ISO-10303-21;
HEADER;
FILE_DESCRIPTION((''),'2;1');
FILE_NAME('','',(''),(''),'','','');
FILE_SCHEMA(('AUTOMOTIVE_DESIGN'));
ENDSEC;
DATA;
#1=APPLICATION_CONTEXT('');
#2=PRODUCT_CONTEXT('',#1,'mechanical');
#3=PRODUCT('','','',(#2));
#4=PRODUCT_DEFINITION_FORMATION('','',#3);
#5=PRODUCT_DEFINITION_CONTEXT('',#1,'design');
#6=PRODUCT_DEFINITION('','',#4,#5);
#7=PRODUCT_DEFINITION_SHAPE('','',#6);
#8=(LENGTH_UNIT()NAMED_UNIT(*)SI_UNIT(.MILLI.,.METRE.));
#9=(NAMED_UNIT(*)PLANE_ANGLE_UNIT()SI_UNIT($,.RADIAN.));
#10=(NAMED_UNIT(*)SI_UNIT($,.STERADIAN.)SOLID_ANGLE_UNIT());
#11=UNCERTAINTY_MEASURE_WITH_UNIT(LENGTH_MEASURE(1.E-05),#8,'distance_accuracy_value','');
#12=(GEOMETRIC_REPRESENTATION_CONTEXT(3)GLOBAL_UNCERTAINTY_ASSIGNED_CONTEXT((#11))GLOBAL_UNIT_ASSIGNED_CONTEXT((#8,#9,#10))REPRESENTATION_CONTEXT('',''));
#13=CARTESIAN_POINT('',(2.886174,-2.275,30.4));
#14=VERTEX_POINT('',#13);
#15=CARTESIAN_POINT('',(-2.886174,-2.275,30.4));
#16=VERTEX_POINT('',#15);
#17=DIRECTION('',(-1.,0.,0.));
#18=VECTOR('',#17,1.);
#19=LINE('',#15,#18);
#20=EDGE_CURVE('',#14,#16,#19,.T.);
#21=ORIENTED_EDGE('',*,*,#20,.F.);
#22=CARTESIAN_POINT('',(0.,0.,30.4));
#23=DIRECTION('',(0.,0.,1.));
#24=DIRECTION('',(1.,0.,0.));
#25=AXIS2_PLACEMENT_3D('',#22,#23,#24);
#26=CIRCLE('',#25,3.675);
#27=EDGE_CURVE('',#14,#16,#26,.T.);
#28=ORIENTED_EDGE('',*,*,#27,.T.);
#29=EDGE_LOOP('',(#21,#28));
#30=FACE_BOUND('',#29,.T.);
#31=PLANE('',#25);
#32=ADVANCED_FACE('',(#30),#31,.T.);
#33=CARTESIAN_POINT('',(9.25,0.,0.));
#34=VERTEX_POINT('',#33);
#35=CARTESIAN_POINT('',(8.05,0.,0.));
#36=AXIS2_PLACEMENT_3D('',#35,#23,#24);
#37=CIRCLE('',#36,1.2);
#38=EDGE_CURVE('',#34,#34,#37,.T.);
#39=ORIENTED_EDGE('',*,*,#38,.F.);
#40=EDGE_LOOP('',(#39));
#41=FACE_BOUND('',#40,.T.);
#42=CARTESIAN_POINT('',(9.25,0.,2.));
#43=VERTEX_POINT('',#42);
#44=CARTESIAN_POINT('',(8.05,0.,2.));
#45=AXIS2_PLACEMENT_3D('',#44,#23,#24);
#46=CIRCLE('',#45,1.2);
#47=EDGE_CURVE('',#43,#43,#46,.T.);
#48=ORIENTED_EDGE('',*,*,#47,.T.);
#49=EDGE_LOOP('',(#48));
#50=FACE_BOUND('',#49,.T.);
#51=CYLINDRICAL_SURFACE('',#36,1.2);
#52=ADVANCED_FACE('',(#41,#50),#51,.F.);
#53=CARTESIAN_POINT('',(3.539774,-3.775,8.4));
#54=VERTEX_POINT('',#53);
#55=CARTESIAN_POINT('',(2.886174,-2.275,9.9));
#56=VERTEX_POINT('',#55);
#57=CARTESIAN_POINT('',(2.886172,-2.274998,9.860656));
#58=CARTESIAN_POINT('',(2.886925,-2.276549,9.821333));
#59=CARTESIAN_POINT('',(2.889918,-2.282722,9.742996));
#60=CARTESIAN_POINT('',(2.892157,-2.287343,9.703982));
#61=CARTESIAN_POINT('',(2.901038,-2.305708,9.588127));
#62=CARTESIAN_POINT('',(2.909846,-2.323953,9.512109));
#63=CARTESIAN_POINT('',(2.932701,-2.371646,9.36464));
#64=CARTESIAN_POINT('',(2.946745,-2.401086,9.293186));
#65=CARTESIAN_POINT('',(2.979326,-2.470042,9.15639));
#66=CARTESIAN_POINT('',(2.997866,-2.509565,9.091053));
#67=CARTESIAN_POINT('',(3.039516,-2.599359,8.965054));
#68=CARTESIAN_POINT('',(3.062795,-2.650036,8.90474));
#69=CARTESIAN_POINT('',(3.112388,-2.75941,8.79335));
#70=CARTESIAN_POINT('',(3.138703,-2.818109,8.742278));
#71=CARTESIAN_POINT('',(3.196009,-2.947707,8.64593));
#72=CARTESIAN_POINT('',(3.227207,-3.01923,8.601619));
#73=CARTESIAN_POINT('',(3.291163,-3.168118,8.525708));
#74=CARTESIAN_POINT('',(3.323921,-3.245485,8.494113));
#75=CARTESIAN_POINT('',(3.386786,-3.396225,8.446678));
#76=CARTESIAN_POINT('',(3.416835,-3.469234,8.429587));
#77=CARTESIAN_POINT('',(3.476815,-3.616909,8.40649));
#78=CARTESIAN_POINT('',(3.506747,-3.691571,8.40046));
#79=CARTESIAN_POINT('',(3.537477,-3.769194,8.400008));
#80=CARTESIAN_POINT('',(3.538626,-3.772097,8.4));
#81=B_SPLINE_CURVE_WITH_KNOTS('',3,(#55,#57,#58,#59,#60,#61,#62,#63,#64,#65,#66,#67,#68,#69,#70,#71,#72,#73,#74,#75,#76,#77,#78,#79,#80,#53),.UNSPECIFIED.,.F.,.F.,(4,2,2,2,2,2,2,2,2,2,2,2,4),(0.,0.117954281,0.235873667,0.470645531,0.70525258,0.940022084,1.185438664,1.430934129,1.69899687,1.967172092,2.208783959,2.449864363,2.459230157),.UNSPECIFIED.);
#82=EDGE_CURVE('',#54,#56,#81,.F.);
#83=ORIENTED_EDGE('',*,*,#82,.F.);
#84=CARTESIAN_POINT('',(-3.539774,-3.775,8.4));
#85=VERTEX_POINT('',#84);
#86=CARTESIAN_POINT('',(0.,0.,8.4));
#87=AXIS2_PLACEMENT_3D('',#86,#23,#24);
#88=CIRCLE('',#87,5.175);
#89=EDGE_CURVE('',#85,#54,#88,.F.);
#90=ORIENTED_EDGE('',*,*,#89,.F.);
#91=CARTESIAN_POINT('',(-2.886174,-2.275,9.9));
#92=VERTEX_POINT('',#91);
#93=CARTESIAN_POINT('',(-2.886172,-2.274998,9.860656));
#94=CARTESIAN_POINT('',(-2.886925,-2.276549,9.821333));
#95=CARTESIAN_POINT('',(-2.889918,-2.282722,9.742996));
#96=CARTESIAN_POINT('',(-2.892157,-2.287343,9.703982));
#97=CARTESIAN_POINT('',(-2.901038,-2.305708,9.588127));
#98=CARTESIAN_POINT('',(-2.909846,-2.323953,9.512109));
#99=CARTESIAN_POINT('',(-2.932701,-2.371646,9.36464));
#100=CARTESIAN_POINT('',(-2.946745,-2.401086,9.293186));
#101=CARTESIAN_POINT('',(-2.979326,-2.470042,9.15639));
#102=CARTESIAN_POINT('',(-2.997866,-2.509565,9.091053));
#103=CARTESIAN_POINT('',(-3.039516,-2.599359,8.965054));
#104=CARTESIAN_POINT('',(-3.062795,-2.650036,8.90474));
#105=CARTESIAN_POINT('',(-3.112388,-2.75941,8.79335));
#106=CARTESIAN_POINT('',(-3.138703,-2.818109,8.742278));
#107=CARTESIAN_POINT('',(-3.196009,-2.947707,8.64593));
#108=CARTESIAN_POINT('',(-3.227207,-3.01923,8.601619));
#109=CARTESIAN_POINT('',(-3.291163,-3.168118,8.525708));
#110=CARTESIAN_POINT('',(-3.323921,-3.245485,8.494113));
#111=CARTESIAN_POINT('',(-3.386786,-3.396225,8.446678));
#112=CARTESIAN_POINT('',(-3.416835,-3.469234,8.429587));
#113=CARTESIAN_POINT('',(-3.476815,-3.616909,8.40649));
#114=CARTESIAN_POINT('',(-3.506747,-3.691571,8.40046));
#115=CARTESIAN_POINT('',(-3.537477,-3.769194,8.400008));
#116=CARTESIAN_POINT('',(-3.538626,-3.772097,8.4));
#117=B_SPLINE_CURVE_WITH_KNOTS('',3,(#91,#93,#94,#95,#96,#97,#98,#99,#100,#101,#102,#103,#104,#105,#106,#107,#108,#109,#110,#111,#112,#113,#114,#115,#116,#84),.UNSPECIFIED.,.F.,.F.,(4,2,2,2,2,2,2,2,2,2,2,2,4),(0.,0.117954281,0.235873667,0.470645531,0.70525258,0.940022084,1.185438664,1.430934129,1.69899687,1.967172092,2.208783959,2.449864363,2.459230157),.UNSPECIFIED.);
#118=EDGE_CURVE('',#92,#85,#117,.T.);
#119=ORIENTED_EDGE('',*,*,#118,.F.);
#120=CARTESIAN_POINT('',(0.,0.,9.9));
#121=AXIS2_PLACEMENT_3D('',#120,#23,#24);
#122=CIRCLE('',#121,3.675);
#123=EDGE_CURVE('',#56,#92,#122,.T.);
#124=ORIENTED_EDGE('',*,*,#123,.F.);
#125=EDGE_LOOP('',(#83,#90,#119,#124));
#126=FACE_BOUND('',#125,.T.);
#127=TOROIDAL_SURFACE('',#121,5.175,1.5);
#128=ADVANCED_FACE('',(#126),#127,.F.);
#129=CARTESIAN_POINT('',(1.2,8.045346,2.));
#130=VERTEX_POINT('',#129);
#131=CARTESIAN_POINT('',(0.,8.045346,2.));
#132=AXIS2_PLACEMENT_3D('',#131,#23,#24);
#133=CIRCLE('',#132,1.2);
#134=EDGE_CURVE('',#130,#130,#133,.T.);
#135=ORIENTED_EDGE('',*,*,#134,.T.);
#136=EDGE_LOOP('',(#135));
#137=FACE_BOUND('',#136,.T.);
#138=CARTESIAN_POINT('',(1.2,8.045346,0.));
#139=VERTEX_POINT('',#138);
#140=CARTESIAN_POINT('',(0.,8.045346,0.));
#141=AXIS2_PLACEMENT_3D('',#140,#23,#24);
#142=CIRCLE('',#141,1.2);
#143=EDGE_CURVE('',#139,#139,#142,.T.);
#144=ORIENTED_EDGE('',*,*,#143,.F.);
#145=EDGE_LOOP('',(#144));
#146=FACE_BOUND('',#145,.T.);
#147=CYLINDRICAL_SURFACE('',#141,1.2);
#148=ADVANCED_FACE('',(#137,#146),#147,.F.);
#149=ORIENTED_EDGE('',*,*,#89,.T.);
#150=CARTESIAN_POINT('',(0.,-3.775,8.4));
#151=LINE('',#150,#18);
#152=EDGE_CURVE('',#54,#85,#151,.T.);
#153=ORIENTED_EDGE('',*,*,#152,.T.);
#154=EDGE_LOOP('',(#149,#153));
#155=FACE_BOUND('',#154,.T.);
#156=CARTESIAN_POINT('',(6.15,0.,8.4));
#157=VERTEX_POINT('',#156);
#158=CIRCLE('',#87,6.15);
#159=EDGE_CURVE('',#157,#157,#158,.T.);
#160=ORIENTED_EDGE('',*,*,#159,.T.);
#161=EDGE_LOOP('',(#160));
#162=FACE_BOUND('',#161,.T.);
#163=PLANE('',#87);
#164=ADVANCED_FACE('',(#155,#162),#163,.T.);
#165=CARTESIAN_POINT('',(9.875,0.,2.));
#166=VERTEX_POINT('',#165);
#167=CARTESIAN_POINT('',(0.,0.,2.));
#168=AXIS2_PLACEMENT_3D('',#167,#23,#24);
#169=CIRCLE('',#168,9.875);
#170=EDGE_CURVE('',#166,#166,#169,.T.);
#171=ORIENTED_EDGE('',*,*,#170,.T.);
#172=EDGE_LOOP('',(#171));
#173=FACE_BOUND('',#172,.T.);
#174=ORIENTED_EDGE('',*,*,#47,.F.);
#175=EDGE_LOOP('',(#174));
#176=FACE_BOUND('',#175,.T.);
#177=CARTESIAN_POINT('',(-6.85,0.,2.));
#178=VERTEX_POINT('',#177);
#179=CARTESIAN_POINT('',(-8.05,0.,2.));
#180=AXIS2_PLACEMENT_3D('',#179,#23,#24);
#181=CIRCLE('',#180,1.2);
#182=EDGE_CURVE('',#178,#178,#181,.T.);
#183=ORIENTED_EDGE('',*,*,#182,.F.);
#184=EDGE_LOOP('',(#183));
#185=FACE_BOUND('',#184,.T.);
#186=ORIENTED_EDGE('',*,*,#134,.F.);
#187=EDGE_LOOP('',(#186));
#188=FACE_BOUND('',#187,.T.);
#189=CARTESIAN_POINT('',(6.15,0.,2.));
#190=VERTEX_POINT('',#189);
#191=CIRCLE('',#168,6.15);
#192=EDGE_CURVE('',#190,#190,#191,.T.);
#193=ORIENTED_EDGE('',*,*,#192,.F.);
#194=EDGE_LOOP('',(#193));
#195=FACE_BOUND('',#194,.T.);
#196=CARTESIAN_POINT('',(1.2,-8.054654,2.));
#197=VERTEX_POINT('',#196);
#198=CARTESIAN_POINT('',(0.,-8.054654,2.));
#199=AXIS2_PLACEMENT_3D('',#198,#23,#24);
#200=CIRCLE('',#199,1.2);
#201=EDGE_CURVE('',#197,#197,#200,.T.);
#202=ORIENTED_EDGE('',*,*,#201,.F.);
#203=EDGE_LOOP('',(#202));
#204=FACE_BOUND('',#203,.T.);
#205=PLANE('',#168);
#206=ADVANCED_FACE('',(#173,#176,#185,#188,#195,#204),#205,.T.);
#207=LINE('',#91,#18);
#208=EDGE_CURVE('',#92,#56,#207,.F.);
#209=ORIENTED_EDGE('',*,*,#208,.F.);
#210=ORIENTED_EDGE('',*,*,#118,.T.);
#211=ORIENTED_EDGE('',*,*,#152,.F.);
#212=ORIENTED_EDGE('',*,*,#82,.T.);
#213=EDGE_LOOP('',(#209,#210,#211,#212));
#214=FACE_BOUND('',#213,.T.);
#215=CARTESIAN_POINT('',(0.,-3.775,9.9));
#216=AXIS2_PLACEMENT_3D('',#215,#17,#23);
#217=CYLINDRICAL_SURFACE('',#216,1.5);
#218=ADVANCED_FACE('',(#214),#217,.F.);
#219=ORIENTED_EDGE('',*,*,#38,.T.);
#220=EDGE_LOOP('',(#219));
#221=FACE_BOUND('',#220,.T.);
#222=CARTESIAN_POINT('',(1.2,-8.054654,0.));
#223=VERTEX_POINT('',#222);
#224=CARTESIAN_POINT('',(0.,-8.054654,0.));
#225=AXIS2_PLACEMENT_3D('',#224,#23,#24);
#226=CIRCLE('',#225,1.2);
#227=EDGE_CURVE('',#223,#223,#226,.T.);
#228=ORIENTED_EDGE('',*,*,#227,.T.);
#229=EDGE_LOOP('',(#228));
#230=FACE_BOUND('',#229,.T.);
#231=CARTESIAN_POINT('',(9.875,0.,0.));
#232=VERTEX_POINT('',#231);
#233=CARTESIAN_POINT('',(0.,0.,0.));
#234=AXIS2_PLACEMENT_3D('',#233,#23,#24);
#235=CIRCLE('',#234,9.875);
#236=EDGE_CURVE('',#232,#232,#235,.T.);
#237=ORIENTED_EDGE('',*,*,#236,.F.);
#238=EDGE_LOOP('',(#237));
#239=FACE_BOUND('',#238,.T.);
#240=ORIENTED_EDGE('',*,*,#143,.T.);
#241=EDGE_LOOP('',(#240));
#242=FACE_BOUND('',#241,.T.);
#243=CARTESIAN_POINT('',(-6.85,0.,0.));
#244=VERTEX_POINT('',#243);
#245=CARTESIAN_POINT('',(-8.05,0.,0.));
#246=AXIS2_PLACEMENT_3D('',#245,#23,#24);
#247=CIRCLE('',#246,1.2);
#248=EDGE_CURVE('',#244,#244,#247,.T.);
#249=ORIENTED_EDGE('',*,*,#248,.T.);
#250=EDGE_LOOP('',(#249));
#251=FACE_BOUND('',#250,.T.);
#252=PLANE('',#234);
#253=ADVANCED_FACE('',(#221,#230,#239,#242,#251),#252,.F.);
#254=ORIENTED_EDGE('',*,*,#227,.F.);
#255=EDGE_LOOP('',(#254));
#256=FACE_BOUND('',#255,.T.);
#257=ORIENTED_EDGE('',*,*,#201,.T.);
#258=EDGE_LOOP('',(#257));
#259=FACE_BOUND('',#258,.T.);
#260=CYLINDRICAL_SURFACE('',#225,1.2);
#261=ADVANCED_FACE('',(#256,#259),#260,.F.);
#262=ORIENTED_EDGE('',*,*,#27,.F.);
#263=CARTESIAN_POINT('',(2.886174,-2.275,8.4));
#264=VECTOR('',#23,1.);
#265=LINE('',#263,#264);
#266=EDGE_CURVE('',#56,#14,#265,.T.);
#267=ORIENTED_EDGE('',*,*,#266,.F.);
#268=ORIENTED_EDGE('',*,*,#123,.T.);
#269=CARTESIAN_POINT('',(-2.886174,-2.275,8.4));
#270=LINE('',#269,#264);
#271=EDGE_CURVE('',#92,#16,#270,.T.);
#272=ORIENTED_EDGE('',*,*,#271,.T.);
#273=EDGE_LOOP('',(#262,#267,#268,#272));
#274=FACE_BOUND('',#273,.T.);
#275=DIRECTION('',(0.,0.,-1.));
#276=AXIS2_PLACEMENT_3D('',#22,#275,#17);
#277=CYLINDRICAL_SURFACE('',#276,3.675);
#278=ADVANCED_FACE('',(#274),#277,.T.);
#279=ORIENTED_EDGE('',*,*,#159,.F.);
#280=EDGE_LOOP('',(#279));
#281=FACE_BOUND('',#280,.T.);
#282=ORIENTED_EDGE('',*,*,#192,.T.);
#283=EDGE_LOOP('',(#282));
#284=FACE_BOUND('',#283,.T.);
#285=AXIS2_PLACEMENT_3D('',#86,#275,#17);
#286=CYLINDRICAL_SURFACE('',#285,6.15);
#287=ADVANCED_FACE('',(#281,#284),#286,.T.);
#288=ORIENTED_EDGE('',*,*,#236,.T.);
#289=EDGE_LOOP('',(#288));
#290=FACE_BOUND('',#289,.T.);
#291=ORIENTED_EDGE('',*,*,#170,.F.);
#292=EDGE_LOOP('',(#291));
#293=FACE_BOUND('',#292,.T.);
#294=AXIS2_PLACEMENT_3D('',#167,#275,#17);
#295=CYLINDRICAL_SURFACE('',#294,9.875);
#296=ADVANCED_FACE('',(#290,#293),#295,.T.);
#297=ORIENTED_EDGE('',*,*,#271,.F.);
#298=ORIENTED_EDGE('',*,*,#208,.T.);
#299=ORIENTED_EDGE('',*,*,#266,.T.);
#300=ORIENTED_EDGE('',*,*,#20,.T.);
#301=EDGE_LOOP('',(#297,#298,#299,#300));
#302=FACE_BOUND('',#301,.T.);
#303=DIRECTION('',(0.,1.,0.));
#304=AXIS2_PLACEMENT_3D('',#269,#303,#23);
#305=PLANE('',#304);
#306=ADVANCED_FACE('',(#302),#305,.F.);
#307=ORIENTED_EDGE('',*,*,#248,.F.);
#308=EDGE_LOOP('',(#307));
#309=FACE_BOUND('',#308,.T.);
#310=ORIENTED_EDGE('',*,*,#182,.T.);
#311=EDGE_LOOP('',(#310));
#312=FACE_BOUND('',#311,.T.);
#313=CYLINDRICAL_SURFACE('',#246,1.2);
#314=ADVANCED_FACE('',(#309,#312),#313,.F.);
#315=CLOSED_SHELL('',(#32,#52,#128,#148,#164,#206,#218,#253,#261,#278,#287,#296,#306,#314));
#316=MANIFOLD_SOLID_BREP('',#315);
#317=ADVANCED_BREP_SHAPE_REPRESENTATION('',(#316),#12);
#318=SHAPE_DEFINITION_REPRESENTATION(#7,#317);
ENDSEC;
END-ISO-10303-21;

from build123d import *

# Parameters (mm, degrees)
ESQUISSE1_R             = 9.875
BOSS_EXTRU_1_DEPTH      = 2
ESQUISSE2_R             = 6.15
BOSS_EXTRU_2_DEPTH      = 6.4
ESQUISSE3_R             = 3.675
BOSS_EXTRU_3_DEPTH      = 22
ENL_V_START             = -22
ENL_V_MAT_EXTRU_1_DEPTH = 22
ESQUISSE5_R             = 1.2
ENL_V_MAT_EXTRU_2_DEPTH = 32.647926472
CONG_1_R                = 1.5


with BuildPart() as part:
    # Esquisse1 → Boss.-Extru.1 (new body)
    with BuildSketch(Plane.XY):
        Circle(ESQUISSE1_R)
    extrude(amount=BOSS_EXTRU_1_DEPTH)

    # Esquisse2 → Boss.-Extru.2 (add)
    with BuildSketch(Plane.XY.offset(2)):
        Circle(ESQUISSE2_R)
    extrude(amount=BOSS_EXTRU_2_DEPTH)

    # Esquisse3 → Boss.-Extru.3 (add)
    with BuildSketch(Plane.XY.offset(8.4)):
        Circle(ESQUISSE3_R)
    extrude(amount=BOSS_EXTRU_3_DEPTH)

    # Esquisse4 → Enlèv. mat.-Extru.1 (cut)
    with BuildSketch(Plane.XY.offset(30.4).offset(ENL_V_START)):
        with BuildLine():
            Line((-2.886173938, -2.275), (2.886173938, -2.275))
            ThreePointArc((2.886173938, -2.275), (0, -3.675), (-2.886173938, -2.275))
        make_face()
    extrude(amount=ENL_V_MAT_EXTRU_1_DEPTH, mode=Mode.SUBTRACT)

    # Esquisse5 → Enlèv. mat.-Extru.2 (cut, through all)
    with BuildSketch(Plane.XY.offset(2)):
        with Locations((0, 8.045346172)):
            Circle(ESQUISSE5_R)
        with Locations((0, -8.054653828)):
            Circle(ESQUISSE5_R)
        with Locations((-8.05, 0)):
            Circle(ESQUISSE5_R)
        with Locations((8.05, 0)):
            Circle(ESQUISSE5_R)
    extrude(amount=-ENL_V_MAT_EXTRU_2_DEPTH, mode=Mode.SUBTRACT)

    # Congé1
    cong_1_edges = [part.edges().sort_by_distance(p)[0] for p in [
        (0, 3.675, 8.4),
        (0, -2.275, 8.4),
    ]]
    fillet(cong_1_edges, radius=CONG_1_R)


solid = part.part
